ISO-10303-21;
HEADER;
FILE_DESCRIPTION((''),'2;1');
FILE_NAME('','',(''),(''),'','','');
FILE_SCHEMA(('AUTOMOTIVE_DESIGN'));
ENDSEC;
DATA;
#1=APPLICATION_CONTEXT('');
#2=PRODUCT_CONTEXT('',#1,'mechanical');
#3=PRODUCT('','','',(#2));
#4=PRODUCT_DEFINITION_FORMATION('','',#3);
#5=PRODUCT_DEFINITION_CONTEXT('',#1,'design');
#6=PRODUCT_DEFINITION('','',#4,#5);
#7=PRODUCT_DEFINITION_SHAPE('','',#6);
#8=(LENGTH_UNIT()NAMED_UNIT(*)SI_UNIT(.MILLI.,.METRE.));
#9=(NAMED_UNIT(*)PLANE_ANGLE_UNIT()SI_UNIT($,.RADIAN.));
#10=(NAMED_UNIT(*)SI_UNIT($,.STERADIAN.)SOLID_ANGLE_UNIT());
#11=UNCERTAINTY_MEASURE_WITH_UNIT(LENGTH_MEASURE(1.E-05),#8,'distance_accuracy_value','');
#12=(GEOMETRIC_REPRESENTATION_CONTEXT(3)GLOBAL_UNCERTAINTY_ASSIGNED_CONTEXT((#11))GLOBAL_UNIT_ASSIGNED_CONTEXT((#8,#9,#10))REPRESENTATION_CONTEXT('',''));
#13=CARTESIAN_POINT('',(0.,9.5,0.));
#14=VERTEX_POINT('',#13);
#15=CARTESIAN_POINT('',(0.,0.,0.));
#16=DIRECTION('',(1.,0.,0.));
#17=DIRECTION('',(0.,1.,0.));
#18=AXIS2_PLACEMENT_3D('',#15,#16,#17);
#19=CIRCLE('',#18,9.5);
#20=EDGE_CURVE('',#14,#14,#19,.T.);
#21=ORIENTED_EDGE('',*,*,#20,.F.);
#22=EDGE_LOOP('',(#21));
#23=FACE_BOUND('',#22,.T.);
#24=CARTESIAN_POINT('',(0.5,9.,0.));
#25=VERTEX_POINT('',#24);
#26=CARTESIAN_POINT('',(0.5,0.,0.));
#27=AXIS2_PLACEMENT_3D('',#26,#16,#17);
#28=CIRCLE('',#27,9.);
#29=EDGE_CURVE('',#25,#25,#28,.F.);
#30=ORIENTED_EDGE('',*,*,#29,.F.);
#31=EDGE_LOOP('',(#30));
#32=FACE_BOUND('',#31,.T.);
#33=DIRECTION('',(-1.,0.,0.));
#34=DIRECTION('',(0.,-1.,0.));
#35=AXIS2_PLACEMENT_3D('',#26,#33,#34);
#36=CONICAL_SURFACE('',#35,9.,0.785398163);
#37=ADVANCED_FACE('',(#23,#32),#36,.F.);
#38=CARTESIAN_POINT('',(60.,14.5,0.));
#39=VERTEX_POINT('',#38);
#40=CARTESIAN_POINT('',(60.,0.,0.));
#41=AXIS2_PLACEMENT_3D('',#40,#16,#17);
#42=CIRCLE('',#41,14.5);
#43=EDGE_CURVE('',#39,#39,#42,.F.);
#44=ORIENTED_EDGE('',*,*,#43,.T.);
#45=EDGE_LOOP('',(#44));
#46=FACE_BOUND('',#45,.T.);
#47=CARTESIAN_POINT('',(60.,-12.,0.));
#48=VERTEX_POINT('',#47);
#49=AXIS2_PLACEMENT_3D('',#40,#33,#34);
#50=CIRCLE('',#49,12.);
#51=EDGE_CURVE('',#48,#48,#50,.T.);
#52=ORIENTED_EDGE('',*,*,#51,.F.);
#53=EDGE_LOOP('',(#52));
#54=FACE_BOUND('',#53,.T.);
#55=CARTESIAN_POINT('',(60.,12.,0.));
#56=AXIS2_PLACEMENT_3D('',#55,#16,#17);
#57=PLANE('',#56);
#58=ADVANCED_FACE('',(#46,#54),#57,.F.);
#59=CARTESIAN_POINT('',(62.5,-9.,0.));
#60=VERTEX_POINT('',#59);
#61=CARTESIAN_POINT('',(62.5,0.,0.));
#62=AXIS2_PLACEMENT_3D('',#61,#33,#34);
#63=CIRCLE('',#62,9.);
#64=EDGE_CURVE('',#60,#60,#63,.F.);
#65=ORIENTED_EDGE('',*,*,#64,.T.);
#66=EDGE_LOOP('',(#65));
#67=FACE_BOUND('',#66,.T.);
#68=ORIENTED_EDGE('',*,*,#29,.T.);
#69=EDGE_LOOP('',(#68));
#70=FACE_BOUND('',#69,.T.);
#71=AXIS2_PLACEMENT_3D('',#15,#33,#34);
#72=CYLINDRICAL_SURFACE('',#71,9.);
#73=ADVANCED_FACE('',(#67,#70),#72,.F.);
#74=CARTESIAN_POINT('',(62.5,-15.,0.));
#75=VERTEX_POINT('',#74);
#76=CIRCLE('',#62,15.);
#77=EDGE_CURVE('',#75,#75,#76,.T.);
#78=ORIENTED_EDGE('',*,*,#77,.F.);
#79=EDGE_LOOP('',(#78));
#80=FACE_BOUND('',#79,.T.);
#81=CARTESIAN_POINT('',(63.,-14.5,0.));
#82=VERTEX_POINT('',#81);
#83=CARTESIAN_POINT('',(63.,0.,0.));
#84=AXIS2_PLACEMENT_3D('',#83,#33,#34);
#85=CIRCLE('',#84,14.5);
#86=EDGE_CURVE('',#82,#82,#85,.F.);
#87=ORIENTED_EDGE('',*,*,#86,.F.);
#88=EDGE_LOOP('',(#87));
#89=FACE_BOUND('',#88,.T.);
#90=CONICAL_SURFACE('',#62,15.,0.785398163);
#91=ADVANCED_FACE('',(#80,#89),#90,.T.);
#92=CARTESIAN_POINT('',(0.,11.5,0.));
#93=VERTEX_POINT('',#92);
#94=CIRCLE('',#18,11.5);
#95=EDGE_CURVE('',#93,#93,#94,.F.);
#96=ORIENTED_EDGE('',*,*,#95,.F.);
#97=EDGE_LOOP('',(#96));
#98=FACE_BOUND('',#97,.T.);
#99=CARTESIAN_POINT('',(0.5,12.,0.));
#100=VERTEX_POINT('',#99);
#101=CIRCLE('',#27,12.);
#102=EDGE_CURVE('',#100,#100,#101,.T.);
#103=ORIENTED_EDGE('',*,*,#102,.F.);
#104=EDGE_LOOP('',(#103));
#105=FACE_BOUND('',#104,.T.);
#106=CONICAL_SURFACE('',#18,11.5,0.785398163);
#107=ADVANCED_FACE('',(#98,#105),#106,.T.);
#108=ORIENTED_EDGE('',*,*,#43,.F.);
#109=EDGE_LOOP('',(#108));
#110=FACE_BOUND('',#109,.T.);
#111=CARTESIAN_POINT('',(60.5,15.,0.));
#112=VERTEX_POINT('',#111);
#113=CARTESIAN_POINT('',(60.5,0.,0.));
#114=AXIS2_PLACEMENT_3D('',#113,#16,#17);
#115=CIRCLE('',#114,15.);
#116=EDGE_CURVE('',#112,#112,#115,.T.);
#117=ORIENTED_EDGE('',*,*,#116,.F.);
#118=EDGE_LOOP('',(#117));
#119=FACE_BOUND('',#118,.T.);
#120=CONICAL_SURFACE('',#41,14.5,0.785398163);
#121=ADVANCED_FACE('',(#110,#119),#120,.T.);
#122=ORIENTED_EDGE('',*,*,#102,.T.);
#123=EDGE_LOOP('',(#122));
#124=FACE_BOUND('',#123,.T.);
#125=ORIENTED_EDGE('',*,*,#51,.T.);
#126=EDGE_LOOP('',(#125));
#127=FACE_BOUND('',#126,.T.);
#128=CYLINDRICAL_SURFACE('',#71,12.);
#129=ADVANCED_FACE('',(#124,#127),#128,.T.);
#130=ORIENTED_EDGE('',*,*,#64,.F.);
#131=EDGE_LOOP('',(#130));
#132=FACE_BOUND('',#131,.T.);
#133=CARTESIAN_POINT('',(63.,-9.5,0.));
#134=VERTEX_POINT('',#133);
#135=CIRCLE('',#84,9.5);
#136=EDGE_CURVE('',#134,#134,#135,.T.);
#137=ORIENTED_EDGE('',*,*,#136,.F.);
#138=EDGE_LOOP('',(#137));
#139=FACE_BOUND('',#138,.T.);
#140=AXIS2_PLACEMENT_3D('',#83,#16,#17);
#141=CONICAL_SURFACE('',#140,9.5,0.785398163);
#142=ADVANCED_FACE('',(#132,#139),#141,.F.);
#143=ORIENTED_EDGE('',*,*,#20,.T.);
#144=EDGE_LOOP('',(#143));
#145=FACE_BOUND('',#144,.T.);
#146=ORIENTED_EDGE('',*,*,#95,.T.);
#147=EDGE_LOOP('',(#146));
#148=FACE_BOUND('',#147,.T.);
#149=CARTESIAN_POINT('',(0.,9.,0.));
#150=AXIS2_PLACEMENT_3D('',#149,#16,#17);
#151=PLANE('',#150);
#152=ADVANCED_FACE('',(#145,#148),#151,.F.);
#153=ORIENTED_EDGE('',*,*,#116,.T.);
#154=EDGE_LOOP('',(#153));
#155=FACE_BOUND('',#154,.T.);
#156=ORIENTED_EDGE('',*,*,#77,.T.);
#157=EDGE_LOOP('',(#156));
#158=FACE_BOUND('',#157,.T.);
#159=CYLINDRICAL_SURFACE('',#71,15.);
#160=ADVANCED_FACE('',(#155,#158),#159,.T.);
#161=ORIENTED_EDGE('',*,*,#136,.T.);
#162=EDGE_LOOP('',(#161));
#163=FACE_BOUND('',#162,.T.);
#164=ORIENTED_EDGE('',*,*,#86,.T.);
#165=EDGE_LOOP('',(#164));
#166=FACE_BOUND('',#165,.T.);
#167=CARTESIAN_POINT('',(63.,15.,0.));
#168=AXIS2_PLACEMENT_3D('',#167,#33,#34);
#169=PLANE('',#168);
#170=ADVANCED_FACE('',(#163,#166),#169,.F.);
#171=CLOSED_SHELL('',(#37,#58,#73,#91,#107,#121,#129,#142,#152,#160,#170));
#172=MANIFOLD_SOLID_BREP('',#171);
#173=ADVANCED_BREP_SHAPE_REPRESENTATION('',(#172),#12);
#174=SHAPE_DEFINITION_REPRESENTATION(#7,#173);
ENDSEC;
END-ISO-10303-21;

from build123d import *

# Parameters (mm, degrees)
CHAMFER_1_SIZE = 0.5


with BuildPart() as part:
    # Эскиз1 → Повернуть1 (revolve)
    with BuildSketch(Plane.XY, mode=Mode.PRIVATE) as revolve_1_sk:
        Polygon((0, 9), (0, 12), (60, 12), (60, 15), (63, 15), (63, 9), align=None)
    revolve(revolve_1_sk.sketch.rotate(Axis((0, 0, 0), (1, 0, 0)), 180), axis=Axis((0, 0, 0), (1, 0, 0)))

    # Фаска1
    chamfer_1_edges = [part.edges().sort_by_distance(p)[0] for p in [
        (60, 15, 0),
        (0, 12, 0),
        (0, 9, 0),
        (63, 9, 0),
        (63, 15, 0),
    ]]
    chamfer(chamfer_1_edges, length=CHAMFER_1_SIZE)


solid = part.part
